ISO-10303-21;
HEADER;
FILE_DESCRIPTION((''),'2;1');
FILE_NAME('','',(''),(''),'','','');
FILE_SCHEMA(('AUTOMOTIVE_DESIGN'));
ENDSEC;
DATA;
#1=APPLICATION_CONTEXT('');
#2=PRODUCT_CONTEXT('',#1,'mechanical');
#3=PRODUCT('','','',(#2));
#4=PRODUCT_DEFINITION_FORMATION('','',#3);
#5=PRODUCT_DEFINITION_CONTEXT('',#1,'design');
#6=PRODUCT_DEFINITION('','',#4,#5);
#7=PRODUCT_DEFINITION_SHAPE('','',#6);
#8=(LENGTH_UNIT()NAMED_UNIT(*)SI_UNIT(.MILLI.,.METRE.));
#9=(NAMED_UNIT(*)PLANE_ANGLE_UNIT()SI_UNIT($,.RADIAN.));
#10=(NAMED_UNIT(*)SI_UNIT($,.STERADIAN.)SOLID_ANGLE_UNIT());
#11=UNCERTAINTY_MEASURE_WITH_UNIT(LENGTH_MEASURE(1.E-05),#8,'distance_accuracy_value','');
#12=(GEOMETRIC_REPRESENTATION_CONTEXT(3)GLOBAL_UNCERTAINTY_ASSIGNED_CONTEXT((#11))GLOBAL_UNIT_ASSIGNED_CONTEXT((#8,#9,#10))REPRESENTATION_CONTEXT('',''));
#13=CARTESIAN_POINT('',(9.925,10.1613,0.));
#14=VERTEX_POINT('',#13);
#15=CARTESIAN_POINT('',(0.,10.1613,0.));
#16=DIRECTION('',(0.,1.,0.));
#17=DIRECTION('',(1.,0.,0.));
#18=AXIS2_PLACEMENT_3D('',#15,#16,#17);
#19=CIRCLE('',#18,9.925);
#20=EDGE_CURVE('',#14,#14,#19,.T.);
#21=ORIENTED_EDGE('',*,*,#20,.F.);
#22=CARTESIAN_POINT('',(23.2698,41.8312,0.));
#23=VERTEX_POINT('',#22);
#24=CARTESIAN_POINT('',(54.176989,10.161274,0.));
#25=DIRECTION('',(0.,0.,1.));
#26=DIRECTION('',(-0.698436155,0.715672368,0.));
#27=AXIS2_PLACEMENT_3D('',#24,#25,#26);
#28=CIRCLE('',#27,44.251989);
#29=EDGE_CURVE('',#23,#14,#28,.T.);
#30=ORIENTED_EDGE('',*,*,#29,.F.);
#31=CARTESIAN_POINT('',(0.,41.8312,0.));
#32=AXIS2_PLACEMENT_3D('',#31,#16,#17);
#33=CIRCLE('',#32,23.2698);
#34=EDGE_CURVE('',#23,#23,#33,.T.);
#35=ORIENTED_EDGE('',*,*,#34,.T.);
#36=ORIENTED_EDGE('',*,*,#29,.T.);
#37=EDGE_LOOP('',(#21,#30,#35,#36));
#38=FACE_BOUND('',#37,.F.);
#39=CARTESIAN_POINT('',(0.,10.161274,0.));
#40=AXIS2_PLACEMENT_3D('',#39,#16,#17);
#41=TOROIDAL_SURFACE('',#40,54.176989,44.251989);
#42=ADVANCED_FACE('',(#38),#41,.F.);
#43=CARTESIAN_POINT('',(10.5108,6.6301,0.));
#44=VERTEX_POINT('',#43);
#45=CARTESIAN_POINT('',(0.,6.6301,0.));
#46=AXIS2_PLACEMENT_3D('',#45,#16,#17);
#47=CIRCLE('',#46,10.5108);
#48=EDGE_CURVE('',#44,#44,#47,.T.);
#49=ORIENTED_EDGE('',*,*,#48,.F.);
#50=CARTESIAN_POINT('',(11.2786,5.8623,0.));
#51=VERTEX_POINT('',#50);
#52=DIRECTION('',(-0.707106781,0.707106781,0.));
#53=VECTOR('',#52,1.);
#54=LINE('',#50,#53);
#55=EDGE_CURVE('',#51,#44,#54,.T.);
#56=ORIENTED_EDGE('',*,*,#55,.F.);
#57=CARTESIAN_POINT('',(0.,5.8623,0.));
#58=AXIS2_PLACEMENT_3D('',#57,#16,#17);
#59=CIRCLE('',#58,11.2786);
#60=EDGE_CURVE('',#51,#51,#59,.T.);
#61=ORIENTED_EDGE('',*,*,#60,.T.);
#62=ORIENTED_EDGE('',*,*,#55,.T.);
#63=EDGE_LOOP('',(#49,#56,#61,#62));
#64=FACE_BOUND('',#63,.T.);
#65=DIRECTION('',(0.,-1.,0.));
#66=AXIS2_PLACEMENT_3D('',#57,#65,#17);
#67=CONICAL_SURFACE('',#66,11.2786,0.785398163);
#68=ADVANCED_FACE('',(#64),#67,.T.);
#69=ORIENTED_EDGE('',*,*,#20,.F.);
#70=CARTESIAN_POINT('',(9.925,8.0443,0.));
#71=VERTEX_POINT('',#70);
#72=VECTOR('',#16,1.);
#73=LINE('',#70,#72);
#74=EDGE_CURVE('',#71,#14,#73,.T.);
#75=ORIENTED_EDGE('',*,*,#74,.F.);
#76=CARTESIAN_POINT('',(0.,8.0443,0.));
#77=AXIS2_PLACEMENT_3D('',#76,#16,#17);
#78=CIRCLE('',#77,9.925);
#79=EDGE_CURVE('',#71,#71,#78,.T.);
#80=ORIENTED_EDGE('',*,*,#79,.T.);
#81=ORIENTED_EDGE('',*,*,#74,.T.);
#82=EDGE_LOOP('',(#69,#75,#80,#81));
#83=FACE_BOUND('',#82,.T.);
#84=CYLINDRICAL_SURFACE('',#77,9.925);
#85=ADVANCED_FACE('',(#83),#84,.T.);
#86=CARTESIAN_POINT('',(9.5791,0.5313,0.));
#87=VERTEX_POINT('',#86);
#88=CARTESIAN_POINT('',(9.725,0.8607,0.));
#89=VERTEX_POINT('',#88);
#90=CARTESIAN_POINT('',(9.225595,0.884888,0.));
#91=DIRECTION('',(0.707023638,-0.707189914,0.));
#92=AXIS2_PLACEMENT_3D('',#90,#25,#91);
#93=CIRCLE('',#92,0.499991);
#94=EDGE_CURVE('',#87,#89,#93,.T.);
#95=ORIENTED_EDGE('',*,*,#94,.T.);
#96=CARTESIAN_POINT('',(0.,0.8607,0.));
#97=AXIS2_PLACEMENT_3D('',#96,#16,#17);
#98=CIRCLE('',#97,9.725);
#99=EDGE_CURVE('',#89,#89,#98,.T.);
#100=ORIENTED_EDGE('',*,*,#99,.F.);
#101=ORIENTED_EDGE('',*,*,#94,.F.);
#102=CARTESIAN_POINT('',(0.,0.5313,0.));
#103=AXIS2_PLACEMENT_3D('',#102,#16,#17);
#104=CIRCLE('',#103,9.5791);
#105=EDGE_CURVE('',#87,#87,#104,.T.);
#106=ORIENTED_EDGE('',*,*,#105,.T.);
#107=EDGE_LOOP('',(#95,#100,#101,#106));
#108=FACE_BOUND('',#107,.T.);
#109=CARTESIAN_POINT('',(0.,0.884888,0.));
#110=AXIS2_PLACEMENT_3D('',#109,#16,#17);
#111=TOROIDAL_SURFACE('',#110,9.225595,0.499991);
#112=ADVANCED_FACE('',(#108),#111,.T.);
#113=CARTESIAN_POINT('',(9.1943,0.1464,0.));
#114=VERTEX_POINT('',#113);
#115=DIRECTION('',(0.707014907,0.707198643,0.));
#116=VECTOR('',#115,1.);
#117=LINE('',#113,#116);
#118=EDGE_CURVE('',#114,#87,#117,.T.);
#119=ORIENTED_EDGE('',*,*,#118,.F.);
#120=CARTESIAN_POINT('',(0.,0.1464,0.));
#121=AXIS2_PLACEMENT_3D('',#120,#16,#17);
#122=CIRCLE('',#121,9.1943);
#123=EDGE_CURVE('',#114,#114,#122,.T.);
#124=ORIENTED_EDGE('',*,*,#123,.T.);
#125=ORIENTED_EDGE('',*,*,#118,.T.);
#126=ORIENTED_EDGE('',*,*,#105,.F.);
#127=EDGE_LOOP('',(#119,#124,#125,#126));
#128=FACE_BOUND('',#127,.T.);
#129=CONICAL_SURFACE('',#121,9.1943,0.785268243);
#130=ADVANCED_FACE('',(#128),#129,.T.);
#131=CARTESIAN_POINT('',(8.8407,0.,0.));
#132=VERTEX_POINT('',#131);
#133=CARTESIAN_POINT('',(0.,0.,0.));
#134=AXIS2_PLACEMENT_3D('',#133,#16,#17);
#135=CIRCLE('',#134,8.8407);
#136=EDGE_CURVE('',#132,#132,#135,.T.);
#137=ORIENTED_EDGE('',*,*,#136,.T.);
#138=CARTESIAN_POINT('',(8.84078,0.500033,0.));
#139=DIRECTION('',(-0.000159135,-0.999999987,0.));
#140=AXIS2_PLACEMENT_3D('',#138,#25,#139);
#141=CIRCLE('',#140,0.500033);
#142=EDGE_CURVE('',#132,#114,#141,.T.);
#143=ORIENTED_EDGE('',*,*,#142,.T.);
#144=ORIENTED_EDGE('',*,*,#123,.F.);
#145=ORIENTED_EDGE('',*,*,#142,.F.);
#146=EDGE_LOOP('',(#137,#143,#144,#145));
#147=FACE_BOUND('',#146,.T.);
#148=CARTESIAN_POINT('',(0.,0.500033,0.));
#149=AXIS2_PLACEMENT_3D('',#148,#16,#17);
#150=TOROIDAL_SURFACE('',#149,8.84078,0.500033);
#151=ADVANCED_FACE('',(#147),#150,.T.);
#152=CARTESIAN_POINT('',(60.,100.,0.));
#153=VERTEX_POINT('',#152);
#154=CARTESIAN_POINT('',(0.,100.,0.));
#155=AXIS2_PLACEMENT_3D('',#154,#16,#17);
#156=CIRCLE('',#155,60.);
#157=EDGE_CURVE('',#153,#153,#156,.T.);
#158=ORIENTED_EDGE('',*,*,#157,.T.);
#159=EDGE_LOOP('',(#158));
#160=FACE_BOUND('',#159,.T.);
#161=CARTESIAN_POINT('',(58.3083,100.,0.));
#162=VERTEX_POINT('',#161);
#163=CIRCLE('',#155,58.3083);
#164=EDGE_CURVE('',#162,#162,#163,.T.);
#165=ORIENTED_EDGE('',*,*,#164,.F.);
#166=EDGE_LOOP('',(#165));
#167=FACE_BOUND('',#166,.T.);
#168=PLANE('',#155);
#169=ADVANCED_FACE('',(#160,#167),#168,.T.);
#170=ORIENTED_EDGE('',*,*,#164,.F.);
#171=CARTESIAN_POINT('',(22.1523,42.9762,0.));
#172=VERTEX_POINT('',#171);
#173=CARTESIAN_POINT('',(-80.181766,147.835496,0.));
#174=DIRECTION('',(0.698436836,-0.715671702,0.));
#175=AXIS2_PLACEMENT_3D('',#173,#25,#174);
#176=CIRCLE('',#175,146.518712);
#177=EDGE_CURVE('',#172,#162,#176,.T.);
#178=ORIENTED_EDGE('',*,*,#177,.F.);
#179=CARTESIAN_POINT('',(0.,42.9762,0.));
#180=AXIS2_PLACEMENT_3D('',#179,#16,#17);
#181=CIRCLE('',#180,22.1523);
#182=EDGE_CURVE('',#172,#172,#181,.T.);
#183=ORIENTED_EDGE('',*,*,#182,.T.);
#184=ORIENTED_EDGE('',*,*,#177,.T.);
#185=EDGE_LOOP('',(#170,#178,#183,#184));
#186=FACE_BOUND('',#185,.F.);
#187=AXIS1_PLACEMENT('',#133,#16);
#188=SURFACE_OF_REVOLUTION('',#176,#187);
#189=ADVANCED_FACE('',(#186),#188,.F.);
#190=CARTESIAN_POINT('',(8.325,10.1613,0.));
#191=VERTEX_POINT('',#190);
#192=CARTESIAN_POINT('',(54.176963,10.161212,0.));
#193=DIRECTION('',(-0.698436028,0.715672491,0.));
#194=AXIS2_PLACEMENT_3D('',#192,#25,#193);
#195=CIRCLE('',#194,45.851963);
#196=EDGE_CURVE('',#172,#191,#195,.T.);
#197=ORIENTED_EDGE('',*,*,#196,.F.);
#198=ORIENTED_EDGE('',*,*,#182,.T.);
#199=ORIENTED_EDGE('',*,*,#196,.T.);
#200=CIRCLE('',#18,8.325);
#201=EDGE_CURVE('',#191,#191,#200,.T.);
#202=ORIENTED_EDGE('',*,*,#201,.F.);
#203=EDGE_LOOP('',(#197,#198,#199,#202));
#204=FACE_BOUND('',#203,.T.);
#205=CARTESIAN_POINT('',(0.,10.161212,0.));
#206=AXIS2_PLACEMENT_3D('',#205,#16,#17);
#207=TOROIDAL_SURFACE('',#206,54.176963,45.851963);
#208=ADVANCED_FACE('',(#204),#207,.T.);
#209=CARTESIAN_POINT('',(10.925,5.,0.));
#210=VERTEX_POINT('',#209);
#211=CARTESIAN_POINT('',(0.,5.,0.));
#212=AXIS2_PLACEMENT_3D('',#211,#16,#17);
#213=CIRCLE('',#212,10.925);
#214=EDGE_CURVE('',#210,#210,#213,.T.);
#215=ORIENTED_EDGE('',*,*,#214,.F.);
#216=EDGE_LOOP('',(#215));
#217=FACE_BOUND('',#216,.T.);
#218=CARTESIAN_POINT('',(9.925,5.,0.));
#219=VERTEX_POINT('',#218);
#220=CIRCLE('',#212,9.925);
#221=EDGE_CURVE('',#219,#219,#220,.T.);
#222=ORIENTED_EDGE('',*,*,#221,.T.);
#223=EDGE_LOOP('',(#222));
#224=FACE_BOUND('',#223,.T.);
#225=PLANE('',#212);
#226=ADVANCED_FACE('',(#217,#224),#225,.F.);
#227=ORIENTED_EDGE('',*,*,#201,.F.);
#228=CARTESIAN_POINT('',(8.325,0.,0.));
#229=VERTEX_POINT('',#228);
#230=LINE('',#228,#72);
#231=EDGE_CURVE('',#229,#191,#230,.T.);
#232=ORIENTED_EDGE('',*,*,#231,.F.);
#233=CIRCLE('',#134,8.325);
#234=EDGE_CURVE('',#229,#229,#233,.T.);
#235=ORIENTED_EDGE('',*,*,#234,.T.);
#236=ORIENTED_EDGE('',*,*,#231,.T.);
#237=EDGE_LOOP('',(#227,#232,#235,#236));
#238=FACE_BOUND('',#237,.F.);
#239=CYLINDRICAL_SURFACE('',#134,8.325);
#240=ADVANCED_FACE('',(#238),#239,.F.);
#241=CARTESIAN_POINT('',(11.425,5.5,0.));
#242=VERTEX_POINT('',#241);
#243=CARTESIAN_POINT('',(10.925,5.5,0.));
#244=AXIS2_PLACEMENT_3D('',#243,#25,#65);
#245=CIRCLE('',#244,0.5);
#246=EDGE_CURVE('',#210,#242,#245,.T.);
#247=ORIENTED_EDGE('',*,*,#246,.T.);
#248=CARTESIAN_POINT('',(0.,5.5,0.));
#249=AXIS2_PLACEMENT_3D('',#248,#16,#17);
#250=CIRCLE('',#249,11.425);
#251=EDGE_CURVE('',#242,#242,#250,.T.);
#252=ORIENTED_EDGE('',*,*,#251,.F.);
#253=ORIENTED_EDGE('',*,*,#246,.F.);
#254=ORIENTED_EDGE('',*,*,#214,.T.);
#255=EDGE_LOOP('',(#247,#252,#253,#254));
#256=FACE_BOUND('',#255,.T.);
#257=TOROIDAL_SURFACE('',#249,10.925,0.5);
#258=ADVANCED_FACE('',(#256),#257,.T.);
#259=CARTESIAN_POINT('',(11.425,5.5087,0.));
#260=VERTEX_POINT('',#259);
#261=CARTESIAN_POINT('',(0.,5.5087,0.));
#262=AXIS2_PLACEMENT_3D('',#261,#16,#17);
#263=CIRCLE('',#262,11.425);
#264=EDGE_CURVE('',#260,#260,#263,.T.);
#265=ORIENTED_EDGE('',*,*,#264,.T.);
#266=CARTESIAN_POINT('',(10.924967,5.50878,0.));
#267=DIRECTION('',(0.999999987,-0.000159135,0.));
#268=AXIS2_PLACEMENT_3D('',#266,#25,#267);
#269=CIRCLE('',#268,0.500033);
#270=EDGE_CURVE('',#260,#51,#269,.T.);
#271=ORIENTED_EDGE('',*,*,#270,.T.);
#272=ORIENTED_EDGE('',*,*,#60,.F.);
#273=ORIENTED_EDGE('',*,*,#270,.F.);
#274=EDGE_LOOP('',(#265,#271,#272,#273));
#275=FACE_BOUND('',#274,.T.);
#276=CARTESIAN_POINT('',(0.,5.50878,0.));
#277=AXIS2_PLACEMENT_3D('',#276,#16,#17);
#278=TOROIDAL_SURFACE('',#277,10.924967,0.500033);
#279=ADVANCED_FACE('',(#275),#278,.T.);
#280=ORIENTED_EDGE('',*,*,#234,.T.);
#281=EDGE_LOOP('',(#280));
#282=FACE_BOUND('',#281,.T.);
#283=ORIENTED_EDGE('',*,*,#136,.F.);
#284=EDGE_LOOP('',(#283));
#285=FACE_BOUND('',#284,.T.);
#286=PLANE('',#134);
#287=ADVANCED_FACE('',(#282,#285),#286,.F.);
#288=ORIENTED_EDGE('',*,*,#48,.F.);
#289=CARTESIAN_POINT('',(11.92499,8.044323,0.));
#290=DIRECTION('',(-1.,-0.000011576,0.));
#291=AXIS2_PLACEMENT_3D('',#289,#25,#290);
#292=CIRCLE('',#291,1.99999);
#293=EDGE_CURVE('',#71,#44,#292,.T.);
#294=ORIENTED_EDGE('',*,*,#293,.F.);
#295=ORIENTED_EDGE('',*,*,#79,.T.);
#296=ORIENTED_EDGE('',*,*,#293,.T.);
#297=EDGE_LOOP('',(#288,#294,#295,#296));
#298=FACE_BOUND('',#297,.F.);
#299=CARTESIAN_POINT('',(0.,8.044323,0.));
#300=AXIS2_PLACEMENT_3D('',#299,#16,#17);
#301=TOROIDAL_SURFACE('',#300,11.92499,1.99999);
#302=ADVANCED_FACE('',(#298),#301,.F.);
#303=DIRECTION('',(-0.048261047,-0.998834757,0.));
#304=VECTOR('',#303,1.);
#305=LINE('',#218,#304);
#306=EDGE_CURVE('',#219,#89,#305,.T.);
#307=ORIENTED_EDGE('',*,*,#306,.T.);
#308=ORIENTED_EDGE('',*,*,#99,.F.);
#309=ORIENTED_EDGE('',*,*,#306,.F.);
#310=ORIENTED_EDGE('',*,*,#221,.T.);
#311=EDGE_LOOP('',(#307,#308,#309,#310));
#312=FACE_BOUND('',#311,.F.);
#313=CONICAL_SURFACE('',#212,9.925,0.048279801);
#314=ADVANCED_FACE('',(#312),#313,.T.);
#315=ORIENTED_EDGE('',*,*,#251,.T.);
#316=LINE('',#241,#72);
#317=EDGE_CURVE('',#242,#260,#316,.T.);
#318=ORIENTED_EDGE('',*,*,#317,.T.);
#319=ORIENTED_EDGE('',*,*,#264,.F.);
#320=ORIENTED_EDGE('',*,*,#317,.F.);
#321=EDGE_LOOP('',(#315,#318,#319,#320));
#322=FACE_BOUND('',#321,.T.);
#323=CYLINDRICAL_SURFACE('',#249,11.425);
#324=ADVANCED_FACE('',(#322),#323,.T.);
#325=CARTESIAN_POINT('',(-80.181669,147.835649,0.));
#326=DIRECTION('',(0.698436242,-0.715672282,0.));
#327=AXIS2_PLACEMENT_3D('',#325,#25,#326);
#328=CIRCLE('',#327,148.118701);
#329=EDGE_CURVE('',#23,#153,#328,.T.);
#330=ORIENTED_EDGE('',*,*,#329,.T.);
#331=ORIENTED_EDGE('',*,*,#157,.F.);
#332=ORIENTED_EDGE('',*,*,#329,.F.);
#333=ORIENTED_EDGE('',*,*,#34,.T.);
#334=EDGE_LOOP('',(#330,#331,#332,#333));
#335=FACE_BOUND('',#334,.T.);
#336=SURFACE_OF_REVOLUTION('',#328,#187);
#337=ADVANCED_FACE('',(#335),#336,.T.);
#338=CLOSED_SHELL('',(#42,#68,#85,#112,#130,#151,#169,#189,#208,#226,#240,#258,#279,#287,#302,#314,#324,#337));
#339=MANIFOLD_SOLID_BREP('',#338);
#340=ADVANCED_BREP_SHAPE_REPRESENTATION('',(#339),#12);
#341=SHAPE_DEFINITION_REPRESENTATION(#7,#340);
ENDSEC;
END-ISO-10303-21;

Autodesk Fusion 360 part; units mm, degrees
sketch "Sketch1" plane through (0, 0, 0) normal (0, 0, 1) x (1, 0, 0)
  line L0 (9.925, 8.0443) -> (9.925, 10.1613)
  arc A0 (23.2698, 41.8312) -> (9.925, 10.1613) centre (54.177, 10.1613) ccw
  arc A1 (23.2698, 41.8312) -> (60, 100) centre (-80.1817, 147.8356) ccw
  line L1 (23.2698, 41.8312) -> (0, 19.1218) construction
  line L2 (0, 0) -> (0, 100)
  line L3 (8.325, 0) -> (8.325, 10.1613)
  arc A2 (22.1523, 42.9762) -> (8.325, 10.1613) centre (54.177, 10.1613) ccw
  arc A3 (22.1523, 42.9762) -> (58.3083, 100) centre (-80.1817, 147.8356) ccw
  line L4 (8.325, 0) -> (8.8407, 0)
  line L5 (60, 100) -> (58.3083, 100)
  line L6 (9.1943, 0.1464) -> (9.5791, 0.5313)
  line L7 (9.925, 5) -> (10.925, 5)
  line L8 (11.425, 5.5) -> (11.425, 5.5087)
  line L9 (11.2786, 5.8623) -> (10.5108, 6.6301)
  arc A4 (9.925, 8.0443) -> (10.5108, 6.6301) centre (11.925, 8.0443) ccw
  line L10 (9.925, 5) -> (9.725, 0.8607)
  arc A5 (11.425, 5.5087) -> (11.2786, 5.8623) centre (10.925, 5.5087) ccw
  arc A6 (10.925, 5) -> (11.425, 5.5) centre (10.925, 5.5) ccw
  arc A7 (8.8407, 0) -> (9.1943, 0.1464) centre (8.8407, 0.5) ccw
  arc A8 (9.5791, 0.5313) -> (9.725, 0.8607) centre (9.2256, 0.8849) ccw
  point P0 (11.425, 5)
  dimension "d1" = 100
  dimension "d2" = 120
  dimension "d3" = 45.698
  dimension "d4" = 19.85
  dimension "d7" = 45
  dimension "d8" = 1.5
  dimension "d9" = 5
  dimension "d10" = 3.1
  dimension "d11" = 2
  dimension "d12" = 45
  dimension "d13" = 0.5
  dimension "d14" = 0.5
  dimension "d15" = 0.5
  dimension "d17" = 0.2
revolve "Revolve1" add sketch "Sketch1" angle 360 about axis through (0, 0, 0) along (0, 1, 0)
equation "d4 = 20 mm - 0.15 mm"
